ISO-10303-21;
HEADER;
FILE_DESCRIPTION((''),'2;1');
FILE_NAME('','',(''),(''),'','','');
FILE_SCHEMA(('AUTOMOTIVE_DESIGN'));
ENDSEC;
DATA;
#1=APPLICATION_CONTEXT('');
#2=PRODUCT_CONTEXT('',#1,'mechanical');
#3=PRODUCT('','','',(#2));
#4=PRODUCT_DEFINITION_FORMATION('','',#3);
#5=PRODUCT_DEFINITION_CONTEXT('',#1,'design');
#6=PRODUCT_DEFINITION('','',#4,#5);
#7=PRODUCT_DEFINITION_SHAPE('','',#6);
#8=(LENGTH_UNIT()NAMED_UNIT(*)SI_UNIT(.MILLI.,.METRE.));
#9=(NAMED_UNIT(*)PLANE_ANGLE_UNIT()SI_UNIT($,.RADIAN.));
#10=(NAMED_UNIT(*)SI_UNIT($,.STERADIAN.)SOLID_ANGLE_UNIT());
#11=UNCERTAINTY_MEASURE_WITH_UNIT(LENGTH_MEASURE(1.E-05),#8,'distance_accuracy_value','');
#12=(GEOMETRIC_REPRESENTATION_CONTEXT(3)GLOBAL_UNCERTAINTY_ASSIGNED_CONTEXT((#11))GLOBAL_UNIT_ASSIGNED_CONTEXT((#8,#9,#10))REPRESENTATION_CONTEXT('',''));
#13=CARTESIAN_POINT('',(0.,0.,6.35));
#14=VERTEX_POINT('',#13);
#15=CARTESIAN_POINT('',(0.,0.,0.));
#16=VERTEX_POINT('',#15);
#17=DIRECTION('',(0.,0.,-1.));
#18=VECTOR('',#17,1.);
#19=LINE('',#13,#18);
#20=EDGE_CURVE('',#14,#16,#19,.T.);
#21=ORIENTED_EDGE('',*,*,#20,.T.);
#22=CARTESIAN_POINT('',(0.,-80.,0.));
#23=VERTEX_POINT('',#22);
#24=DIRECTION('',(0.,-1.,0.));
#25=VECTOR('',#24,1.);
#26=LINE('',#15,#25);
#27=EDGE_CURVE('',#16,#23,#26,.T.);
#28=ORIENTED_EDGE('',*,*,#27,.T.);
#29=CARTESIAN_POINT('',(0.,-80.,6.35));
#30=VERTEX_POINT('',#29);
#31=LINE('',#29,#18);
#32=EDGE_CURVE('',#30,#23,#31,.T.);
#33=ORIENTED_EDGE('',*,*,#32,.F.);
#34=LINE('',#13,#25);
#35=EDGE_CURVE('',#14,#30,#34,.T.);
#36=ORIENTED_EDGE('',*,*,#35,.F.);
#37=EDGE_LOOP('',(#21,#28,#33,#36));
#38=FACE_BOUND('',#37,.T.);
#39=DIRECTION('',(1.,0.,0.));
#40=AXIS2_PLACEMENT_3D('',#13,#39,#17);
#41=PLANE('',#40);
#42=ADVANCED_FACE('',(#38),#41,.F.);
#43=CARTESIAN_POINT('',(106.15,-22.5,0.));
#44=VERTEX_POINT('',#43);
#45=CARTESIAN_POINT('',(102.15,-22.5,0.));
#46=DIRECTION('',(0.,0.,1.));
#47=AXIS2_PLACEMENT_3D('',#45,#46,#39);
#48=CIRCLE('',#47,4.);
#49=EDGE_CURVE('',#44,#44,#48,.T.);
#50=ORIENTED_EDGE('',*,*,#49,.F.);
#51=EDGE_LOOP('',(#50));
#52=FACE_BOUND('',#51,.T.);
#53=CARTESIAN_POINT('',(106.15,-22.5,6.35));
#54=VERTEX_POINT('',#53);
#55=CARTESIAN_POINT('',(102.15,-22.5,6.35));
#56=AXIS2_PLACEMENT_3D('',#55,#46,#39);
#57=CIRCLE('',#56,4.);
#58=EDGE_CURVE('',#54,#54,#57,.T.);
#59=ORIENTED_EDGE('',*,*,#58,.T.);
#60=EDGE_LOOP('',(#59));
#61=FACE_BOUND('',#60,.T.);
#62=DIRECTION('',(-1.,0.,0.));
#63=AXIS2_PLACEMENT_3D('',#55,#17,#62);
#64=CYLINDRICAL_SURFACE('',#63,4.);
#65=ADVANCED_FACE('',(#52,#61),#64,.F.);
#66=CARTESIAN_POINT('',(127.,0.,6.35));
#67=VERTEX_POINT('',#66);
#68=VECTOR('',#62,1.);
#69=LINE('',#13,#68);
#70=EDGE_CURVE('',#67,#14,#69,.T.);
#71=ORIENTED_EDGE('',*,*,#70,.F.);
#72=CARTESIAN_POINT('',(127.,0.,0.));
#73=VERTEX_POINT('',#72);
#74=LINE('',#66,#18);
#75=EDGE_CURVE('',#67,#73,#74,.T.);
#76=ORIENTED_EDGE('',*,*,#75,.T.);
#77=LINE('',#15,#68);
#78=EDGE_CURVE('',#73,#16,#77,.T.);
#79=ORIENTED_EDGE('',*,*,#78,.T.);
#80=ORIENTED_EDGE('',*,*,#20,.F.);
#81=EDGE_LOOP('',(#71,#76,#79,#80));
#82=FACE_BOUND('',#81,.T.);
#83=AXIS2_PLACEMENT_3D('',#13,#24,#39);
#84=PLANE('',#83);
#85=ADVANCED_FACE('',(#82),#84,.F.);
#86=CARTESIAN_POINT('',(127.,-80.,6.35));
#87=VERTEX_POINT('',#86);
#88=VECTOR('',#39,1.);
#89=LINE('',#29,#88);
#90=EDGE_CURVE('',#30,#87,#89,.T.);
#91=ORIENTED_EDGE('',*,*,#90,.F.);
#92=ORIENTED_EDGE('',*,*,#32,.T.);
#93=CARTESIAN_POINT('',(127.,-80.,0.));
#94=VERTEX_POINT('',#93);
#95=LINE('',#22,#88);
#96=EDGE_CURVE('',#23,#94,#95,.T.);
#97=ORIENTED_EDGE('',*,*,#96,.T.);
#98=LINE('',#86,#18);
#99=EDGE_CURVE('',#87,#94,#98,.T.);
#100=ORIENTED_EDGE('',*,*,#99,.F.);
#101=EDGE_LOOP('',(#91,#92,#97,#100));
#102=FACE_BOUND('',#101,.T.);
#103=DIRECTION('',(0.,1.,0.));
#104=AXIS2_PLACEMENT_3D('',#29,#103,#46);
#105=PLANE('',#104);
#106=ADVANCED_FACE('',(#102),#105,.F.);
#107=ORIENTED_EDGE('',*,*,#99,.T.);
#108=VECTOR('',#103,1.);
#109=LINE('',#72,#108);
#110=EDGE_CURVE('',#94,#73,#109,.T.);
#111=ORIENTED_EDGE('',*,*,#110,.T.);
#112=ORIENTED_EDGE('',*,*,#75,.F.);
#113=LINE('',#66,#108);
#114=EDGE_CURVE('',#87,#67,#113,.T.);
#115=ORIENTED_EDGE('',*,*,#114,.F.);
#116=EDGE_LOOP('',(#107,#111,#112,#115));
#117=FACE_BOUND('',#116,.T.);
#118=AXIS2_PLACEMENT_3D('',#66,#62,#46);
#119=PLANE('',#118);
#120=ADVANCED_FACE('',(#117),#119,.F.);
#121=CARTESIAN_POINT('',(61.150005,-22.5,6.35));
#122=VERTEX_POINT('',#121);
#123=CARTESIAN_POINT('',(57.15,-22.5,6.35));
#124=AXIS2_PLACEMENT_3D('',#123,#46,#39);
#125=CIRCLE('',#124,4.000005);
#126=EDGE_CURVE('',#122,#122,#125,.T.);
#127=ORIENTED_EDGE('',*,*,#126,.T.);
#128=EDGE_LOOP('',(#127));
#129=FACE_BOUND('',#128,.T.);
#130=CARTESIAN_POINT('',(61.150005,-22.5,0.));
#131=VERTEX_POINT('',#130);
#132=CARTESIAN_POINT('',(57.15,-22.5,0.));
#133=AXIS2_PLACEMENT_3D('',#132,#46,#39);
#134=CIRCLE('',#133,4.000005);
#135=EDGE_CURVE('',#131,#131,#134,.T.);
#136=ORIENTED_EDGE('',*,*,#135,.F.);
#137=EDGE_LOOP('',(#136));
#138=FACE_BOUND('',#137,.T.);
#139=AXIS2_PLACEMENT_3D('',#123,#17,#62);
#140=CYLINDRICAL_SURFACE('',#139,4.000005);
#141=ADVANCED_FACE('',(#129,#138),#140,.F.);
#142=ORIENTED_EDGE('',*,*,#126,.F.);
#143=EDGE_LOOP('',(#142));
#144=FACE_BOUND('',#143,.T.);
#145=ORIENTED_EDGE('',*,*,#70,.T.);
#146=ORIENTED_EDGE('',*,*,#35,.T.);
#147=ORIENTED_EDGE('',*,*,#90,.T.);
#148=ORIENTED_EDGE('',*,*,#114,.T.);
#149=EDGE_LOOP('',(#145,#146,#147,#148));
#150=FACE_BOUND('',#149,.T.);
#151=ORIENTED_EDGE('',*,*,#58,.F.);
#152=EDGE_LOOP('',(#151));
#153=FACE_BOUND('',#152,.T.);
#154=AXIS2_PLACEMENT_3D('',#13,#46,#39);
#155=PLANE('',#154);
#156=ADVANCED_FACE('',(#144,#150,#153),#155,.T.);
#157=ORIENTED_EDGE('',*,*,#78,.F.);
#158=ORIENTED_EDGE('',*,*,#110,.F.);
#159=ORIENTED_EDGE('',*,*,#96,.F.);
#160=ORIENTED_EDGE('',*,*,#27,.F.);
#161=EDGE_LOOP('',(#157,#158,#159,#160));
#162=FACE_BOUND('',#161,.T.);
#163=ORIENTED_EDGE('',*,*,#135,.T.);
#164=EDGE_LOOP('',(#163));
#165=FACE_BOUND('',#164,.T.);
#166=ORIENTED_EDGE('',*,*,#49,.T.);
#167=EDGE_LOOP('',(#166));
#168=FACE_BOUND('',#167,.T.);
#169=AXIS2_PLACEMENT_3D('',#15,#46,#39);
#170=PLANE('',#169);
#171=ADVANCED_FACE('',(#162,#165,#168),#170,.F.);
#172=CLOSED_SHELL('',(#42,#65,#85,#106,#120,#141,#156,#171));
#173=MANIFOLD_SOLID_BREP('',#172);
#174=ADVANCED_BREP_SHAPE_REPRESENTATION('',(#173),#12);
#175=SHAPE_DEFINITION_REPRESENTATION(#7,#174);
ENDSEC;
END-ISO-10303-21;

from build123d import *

# Parameters (mm, degrees)
SKETCH1_W           = 127
SKETCH1_H           = 80
SKETCH1_R           = 4.0000047
SKETCH1_R_2         = 4
BOSS_EXTRUDE1_DEPTH = 6.35


with BuildPart() as part:
    # Sketch1 → Boss-Extrude1 (new body)
    with BuildSketch(Plane.XY):
        with Locations((63.5, -40)):
            Rectangle(SKETCH1_W, SKETCH1_H)
        with Locations((57.15, -22.5)):
            Circle(SKETCH1_R, mode=Mode.SUBTRACT)
        with Locations((102.15, -22.5)):
            Circle(SKETCH1_R_2, mode=Mode.SUBTRACT)
    extrude(amount=BOSS_EXTRUDE1_DEPTH)


solid = part.part
